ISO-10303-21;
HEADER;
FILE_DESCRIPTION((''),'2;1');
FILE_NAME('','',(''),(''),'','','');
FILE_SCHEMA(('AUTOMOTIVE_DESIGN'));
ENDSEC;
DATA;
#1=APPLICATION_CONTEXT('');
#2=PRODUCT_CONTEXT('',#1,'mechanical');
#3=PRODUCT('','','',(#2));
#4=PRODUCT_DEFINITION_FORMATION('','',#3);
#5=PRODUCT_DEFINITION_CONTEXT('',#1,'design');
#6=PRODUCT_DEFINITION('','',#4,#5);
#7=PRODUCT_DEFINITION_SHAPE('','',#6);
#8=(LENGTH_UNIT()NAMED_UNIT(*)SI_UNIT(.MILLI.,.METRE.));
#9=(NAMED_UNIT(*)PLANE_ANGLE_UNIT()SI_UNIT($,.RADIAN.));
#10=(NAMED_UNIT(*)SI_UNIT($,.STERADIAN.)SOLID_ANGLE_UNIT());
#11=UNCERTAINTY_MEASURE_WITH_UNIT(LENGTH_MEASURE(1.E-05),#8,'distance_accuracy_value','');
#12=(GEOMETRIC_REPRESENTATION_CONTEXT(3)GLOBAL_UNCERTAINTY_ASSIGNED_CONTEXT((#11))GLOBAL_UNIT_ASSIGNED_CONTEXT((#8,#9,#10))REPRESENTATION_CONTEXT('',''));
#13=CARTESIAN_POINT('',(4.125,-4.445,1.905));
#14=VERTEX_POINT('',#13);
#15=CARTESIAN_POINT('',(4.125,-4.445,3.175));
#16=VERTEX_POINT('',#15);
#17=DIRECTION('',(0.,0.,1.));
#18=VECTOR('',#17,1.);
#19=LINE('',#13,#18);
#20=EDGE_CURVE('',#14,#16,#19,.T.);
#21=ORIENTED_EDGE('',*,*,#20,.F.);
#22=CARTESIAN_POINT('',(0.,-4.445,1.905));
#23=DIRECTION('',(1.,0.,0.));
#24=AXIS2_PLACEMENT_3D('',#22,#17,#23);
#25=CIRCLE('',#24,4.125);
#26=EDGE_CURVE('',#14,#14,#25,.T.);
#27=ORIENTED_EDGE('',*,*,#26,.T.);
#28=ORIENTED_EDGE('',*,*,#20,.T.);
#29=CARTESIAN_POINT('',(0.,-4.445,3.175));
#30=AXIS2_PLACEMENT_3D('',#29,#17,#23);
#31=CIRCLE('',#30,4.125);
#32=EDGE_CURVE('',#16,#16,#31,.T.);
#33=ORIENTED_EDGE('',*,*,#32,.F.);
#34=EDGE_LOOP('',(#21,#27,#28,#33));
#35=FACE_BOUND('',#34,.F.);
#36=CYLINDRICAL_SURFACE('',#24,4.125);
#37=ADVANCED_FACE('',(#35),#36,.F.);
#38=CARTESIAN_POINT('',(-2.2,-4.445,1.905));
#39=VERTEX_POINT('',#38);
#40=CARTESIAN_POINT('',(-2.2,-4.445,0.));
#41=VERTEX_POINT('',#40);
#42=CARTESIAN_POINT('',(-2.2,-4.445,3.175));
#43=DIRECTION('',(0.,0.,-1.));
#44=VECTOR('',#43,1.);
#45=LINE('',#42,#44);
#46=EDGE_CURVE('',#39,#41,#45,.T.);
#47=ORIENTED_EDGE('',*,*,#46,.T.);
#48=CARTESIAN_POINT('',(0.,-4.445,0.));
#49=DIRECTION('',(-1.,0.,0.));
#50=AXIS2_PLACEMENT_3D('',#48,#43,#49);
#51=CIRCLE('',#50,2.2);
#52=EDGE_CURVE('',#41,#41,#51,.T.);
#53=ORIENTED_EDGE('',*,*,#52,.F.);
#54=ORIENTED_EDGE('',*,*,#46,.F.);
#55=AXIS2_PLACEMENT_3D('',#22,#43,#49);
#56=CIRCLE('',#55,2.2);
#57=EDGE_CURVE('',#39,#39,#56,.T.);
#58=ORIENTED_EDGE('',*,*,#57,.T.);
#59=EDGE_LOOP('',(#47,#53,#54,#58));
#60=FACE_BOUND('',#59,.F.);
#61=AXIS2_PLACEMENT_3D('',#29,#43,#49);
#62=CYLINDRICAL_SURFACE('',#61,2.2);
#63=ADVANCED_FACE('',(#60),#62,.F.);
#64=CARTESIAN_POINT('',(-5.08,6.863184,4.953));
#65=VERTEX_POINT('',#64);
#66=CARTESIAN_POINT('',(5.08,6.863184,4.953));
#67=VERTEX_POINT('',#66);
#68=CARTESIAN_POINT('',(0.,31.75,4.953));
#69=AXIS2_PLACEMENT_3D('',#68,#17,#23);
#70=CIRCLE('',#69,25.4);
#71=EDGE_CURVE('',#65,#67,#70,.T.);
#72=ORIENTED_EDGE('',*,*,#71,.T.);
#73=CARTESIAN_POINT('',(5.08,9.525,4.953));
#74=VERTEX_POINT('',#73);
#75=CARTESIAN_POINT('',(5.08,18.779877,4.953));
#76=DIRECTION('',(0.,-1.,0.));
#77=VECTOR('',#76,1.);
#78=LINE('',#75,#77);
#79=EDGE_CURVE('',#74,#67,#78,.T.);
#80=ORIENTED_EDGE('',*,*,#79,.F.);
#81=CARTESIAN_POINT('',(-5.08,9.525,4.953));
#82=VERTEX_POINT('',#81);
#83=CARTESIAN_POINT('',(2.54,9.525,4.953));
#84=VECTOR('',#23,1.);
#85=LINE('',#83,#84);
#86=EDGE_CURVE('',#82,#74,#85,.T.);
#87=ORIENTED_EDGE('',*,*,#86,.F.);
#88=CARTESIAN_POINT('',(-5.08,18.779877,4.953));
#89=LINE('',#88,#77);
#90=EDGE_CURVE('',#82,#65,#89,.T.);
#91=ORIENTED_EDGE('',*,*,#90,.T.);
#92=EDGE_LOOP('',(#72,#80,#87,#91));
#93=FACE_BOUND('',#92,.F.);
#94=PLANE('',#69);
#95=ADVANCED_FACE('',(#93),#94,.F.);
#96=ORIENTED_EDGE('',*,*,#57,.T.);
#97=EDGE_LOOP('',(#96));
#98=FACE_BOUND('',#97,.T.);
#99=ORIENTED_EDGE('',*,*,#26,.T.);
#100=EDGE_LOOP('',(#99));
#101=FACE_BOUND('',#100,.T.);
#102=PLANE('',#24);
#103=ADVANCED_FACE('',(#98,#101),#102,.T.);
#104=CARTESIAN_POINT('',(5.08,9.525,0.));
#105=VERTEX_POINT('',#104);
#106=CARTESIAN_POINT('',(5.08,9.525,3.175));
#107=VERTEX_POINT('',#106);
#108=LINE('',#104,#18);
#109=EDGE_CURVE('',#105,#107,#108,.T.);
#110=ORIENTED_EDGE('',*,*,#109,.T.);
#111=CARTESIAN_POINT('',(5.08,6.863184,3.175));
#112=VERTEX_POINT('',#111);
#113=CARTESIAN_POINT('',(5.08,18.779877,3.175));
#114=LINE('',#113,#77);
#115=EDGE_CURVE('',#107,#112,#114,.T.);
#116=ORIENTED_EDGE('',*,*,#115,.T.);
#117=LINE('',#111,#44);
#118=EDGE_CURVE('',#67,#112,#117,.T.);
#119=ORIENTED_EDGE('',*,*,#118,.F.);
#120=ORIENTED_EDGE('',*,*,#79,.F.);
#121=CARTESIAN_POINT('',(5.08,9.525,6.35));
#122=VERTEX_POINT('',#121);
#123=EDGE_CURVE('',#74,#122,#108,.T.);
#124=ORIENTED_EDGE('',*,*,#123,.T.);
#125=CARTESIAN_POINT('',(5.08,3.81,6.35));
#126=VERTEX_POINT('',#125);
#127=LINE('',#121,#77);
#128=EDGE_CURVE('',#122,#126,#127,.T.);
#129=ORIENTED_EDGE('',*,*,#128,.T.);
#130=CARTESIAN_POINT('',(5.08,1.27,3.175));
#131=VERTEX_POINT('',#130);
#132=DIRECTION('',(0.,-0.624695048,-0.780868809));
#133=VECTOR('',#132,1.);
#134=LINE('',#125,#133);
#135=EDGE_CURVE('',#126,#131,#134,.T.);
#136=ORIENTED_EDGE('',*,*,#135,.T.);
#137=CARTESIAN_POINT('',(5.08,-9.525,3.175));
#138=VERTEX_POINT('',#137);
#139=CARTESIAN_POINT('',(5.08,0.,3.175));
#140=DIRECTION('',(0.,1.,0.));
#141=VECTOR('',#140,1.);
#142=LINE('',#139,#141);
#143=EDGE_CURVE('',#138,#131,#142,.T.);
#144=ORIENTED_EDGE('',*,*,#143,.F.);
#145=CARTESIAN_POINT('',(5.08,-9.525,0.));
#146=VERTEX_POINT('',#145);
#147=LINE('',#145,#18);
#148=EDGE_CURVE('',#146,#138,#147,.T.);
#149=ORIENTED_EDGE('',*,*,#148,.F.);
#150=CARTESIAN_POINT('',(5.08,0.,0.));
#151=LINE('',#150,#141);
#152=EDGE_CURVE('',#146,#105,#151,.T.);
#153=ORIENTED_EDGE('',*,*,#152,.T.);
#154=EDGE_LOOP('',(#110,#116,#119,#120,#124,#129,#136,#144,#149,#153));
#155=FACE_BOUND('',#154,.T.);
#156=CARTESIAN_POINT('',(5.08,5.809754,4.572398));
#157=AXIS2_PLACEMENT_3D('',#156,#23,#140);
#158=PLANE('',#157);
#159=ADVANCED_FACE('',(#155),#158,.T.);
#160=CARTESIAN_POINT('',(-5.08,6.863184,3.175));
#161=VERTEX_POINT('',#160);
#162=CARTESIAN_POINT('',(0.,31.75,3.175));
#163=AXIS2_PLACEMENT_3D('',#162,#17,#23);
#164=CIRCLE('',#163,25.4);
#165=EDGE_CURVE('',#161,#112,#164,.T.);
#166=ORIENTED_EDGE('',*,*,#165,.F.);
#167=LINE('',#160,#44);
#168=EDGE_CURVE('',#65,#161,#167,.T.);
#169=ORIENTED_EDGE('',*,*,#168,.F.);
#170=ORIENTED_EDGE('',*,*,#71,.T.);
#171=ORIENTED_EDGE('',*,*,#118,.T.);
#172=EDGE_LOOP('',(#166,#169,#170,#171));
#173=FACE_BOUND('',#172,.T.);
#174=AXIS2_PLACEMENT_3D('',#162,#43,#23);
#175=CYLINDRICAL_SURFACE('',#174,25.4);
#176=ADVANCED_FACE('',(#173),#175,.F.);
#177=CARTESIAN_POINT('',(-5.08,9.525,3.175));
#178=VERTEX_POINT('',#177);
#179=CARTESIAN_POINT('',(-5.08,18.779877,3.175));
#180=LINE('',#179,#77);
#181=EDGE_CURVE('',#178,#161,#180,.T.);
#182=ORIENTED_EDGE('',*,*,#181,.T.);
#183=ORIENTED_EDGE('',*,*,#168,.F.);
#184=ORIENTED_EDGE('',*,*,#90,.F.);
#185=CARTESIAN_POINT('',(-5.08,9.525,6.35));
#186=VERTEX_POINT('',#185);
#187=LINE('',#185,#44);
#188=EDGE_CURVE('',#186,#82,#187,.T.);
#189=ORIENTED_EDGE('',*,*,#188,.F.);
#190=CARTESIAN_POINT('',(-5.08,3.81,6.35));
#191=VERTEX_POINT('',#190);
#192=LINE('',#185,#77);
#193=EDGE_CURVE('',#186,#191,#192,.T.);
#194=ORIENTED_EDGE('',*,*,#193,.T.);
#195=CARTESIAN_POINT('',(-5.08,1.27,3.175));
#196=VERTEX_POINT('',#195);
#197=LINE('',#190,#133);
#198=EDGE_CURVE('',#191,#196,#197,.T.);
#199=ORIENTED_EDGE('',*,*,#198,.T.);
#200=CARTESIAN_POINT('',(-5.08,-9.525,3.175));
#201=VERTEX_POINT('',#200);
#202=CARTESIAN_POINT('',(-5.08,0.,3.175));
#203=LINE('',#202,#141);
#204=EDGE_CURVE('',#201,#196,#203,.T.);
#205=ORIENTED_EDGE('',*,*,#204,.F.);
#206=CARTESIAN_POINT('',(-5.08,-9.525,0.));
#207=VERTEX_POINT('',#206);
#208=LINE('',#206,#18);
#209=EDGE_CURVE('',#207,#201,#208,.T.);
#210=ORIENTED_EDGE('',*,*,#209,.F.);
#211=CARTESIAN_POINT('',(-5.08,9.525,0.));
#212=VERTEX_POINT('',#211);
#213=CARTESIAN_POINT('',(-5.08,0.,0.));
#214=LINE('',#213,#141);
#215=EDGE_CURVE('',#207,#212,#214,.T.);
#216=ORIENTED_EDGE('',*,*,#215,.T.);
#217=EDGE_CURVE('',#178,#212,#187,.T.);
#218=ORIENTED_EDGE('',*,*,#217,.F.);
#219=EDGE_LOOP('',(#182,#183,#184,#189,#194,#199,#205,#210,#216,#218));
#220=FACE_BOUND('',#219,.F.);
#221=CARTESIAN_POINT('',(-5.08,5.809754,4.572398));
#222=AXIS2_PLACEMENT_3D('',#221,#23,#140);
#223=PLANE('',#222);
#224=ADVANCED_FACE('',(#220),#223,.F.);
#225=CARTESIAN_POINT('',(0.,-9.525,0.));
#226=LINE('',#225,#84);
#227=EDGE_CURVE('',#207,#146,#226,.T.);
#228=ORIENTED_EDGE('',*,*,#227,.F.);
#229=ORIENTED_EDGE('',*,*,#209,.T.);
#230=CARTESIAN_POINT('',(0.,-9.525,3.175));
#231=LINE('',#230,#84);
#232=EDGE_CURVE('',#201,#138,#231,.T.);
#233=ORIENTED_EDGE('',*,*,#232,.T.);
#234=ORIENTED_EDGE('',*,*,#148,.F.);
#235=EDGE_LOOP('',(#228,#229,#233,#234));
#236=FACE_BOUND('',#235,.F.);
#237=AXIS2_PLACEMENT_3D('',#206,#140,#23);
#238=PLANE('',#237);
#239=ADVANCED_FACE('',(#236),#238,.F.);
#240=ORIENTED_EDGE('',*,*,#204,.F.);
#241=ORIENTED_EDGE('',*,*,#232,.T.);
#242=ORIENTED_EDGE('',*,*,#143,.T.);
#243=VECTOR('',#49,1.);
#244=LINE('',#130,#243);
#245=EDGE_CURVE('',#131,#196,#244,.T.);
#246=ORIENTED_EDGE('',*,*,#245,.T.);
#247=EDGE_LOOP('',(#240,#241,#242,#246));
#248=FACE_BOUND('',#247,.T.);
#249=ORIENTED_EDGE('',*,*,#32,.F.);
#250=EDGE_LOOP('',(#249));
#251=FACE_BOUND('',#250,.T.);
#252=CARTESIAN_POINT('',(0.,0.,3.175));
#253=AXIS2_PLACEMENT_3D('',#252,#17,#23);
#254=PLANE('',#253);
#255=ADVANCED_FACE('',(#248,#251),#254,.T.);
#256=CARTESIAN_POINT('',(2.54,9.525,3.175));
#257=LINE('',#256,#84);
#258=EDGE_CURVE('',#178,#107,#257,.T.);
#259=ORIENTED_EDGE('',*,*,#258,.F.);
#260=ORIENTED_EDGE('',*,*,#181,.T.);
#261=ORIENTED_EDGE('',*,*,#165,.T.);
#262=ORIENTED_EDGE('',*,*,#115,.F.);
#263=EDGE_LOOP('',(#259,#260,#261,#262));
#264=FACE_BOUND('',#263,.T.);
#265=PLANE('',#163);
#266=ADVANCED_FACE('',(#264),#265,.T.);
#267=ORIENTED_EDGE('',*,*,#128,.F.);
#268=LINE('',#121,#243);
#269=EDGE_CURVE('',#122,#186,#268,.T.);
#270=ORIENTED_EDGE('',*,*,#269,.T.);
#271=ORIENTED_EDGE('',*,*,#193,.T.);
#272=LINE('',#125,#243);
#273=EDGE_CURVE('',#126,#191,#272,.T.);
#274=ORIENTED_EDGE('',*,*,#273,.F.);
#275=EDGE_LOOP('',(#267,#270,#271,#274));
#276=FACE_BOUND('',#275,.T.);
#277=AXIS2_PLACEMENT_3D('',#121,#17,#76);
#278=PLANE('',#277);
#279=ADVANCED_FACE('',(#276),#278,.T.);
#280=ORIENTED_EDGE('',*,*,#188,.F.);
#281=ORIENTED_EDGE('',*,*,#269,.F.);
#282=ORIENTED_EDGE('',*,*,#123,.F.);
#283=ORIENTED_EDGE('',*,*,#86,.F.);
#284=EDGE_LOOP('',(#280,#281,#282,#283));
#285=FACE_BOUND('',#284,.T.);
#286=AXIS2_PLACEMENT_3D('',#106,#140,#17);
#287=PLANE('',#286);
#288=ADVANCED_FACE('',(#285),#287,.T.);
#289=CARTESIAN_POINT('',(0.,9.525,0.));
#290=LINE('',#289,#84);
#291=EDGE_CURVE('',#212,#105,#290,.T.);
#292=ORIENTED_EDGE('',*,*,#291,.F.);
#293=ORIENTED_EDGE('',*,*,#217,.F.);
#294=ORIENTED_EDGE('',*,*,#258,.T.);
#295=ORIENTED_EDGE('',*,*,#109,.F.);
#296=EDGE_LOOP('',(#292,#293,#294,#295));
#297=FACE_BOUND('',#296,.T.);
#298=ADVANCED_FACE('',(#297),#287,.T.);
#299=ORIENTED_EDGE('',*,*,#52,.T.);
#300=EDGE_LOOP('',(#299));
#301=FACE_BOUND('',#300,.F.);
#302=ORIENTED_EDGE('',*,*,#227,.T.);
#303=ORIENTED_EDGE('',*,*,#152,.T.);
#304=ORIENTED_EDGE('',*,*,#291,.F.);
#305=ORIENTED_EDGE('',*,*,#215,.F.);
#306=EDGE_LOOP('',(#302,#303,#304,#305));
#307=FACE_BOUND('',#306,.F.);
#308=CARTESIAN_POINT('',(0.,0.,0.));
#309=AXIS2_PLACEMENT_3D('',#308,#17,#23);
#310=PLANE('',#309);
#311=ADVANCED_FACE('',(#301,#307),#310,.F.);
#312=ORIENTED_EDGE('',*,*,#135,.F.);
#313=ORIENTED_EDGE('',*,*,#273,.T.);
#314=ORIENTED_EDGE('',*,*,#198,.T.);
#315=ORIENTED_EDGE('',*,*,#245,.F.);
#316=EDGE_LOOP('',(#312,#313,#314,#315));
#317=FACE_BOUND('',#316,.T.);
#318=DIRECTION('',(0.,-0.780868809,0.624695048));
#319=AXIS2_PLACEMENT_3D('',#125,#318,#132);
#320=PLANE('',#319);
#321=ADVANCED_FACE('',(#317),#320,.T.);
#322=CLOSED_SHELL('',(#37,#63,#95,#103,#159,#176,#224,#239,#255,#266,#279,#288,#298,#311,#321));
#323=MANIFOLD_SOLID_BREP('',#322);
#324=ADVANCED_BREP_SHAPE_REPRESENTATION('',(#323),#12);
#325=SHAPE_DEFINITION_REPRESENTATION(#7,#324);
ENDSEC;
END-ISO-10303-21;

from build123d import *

# Parameters (mm, degrees)
F0_W           = 10.16
F0_H           = 19.05
F1_DEPTH       = 3.175
F4_DEPTH       = 10.16
F6_D           = 4.4
F6_DEPTH       = 12.7
F6_CBORE_D     = 8.25
F6_CBORE_DEPTH = 1.27
F7_R           = 25.4
F8_DEPTH       = 1.778


with BuildPart() as f1:
    # F0 (on Top) → F1 (new body)
    with BuildSketch(Plane.XY):
        Rectangle(F0_W, F0_H)
    extrude(amount=F1_DEPTH)

    # F2 (on face) → F4 (join, through all)
    with BuildSketch(Plane.YZ.offset(5.08)):
        Polygon((3.81, 6.35), (1.27, 3.175), (9.525, 3.175), (9.525, 6.35), align=None)
    extrude(amount=-F4_DEPTH)

    # F6
    with Locations(Plane.XY.offset(3.175)):
        with Locations((0, -4.445)):
            CounterBoreHole(F6_D / 2, F6_CBORE_D / 2, F6_CBORE_DEPTH, depth=F6_DEPTH)

    # F7 (on face) → F8 (cut)
    with BuildSketch(Plane.XY.offset(3.175)):
        with Locations((0, 31.75)):
            Circle(F7_R)
    extrude(amount=F8_DEPTH, mode=Mode.SUBTRACT)


solid = f1.part
